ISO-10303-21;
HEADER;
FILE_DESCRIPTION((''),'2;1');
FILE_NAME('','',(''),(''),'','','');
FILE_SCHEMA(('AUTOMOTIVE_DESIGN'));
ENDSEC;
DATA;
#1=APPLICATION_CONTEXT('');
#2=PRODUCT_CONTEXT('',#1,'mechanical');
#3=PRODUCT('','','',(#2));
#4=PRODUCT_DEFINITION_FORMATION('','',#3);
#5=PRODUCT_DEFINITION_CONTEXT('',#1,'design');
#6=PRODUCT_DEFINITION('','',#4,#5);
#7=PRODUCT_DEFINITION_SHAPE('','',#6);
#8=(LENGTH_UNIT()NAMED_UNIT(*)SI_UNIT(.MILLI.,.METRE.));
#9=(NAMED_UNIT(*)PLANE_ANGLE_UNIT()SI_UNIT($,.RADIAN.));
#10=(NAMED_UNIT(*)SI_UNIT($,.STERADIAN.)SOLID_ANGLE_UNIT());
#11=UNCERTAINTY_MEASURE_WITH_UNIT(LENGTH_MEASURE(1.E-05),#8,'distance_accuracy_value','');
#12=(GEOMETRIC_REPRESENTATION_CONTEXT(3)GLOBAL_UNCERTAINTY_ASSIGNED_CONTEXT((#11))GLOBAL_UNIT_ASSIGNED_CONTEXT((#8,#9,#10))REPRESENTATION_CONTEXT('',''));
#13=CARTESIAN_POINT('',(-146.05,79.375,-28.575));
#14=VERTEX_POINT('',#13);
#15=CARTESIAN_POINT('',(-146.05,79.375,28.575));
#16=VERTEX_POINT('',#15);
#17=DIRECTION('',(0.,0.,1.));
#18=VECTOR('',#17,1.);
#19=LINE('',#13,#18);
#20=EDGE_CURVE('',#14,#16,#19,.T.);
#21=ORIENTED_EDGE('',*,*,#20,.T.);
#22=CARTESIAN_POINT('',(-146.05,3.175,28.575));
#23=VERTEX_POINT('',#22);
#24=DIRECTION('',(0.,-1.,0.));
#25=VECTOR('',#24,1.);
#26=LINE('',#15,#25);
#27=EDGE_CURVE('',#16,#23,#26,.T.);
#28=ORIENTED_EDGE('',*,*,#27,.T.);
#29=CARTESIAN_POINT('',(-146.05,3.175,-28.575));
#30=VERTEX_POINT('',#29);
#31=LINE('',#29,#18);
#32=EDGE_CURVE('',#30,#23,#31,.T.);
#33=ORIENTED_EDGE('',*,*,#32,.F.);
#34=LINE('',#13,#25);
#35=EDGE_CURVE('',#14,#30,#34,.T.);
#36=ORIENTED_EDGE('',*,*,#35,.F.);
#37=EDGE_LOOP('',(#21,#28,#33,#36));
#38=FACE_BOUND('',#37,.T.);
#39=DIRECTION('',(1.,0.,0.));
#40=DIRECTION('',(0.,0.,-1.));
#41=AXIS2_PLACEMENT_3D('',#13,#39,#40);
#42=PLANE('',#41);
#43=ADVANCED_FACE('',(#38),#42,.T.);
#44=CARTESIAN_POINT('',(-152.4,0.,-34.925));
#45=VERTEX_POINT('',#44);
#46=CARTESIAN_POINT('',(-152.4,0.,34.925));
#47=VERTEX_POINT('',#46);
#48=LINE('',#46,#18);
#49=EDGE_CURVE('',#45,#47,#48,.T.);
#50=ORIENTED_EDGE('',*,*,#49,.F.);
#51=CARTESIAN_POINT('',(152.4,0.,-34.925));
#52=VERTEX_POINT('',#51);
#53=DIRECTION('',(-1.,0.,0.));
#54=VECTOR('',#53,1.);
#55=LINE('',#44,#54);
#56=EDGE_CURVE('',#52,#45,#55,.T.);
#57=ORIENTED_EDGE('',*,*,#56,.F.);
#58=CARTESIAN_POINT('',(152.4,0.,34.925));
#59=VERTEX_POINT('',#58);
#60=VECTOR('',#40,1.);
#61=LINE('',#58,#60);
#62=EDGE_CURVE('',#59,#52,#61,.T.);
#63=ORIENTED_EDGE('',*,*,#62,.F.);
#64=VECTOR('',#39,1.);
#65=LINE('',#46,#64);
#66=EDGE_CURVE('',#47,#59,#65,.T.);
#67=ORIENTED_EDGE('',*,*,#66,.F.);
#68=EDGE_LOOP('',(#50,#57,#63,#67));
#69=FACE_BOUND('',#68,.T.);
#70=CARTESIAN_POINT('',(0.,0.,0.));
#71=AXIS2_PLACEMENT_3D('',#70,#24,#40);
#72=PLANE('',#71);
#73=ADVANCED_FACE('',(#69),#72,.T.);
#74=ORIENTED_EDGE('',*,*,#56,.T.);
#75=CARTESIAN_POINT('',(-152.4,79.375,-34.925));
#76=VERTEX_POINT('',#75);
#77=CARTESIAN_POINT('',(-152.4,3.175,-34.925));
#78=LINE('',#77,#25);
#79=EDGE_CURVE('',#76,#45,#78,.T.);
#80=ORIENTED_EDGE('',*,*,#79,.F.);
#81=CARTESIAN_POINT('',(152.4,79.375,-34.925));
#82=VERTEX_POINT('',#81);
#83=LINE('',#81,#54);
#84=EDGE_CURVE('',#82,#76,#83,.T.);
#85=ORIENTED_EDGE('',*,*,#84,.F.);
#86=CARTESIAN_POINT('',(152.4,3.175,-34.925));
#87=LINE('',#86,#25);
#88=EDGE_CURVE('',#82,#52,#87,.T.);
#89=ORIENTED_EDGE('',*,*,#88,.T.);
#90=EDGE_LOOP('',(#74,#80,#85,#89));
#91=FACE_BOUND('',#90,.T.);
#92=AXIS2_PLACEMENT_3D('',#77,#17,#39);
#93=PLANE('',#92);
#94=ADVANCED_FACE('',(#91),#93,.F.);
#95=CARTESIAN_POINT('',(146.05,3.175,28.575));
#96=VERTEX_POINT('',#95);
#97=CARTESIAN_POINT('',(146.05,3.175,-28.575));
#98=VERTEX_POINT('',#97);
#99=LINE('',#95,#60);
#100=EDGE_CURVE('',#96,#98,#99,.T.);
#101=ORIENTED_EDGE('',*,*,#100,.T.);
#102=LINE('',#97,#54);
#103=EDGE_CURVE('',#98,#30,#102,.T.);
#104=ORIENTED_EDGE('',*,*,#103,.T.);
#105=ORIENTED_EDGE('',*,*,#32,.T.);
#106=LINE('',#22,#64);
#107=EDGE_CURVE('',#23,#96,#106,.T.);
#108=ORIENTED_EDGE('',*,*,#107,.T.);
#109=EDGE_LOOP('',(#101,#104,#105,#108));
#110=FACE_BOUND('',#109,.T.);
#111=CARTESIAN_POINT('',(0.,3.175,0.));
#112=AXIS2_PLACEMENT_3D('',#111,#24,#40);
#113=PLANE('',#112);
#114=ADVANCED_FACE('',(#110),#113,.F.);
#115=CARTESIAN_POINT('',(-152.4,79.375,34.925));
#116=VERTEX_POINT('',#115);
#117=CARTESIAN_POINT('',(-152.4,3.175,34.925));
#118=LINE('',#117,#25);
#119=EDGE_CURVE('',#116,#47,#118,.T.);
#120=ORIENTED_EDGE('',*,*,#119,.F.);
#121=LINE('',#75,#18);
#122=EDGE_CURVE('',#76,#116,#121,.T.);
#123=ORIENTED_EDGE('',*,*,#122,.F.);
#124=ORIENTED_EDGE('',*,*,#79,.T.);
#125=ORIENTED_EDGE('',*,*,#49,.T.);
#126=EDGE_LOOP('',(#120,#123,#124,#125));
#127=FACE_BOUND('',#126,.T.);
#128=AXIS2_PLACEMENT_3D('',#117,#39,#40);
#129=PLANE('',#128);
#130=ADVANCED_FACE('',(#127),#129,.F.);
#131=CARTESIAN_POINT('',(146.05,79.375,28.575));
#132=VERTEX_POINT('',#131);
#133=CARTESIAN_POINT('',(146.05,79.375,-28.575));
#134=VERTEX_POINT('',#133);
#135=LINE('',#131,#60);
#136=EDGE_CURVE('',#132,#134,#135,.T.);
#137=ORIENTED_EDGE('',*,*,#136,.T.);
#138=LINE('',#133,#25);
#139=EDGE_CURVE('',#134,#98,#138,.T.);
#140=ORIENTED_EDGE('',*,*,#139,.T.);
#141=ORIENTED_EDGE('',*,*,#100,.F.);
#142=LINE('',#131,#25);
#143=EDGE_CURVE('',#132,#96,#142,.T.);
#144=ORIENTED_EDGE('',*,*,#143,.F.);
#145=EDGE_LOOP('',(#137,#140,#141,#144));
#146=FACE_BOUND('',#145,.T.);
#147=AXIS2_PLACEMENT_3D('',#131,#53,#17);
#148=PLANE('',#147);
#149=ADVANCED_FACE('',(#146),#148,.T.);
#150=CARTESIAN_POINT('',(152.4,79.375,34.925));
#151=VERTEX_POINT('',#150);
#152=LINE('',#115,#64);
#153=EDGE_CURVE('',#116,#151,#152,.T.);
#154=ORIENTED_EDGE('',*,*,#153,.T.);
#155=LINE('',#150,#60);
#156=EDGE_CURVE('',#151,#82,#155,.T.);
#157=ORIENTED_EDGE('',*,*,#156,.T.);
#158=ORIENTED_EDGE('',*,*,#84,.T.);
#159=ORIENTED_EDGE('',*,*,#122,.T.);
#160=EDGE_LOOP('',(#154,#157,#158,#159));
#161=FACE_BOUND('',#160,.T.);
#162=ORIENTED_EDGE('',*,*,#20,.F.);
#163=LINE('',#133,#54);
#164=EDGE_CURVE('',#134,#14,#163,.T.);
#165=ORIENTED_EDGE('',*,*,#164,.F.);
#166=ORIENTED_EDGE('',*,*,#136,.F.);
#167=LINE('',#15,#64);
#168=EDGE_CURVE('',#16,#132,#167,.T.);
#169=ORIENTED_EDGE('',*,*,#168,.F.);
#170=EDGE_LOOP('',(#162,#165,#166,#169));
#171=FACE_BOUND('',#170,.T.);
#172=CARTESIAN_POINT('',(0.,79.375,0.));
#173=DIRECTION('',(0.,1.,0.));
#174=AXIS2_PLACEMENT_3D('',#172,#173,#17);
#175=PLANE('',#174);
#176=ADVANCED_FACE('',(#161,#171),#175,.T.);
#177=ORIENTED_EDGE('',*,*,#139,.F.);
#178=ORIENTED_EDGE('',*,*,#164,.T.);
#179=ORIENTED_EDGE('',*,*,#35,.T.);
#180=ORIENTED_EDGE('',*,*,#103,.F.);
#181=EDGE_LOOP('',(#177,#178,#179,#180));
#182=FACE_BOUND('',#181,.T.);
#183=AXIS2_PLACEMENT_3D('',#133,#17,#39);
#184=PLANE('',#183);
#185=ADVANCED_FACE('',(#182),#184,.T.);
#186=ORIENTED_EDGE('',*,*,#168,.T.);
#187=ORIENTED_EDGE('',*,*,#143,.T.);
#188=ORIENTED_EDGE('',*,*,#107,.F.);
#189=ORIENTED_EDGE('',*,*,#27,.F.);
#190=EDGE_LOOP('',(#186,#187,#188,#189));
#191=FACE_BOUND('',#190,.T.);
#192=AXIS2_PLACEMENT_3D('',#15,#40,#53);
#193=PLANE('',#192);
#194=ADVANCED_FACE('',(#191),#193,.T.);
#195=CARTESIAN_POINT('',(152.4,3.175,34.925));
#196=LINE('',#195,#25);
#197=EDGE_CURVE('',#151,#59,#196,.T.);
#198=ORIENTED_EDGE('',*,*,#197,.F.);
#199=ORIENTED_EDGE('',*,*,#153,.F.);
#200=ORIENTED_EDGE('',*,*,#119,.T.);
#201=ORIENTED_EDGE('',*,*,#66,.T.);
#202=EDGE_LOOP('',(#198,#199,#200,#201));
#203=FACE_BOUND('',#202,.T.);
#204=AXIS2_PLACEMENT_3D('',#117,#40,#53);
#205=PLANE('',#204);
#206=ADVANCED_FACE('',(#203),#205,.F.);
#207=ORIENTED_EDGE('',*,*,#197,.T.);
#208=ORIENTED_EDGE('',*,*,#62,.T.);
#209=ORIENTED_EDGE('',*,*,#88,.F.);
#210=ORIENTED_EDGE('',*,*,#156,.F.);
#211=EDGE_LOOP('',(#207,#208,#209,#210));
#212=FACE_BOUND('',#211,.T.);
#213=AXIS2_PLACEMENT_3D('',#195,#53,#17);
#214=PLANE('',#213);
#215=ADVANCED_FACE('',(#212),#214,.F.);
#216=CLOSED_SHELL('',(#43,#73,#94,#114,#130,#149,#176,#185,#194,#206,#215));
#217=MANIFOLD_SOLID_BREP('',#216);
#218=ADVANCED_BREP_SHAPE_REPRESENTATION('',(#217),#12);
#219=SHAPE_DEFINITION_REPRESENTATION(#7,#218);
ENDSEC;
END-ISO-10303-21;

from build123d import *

# Parameters (mm, degrees)
SKETCH1_W           = 304.8
SKETCH1_H           = 69.85
BOSS_EXTRUDE1_DEPTH = 3.175
SKETCH2_W           = 304.8
SKETCH2_H           = 69.85
SKETCH2_W_2         = 292.1
SKETCH2_H_2         = 57.15
BOSS_EXTRUDE2_DEPTH = 76.2


with BuildPart() as part:
    # Sketch1 → Boss-Extrude1 (new body)
    with BuildSketch(Plane(origin=(0, 0, 0), x_dir=(1, 0, 0), z_dir=(0, 1, 0))):
        Rectangle(SKETCH1_W, SKETCH1_H)
    extrude(amount=BOSS_EXTRUDE1_DEPTH)

    # Sketch2 → Boss-Extrude2 (add)
    with BuildSketch(Plane(origin=(0, 3.175, 0), x_dir=(1, 0, 0), z_dir=(0, 1, 0))):
        Rectangle(SKETCH2_W, SKETCH2_H)
        Rectangle(SKETCH2_W_2, SKETCH2_H_2, mode=Mode.SUBTRACT)
    extrude(amount=BOSS_EXTRUDE2_DEPTH)


solid = part.part
